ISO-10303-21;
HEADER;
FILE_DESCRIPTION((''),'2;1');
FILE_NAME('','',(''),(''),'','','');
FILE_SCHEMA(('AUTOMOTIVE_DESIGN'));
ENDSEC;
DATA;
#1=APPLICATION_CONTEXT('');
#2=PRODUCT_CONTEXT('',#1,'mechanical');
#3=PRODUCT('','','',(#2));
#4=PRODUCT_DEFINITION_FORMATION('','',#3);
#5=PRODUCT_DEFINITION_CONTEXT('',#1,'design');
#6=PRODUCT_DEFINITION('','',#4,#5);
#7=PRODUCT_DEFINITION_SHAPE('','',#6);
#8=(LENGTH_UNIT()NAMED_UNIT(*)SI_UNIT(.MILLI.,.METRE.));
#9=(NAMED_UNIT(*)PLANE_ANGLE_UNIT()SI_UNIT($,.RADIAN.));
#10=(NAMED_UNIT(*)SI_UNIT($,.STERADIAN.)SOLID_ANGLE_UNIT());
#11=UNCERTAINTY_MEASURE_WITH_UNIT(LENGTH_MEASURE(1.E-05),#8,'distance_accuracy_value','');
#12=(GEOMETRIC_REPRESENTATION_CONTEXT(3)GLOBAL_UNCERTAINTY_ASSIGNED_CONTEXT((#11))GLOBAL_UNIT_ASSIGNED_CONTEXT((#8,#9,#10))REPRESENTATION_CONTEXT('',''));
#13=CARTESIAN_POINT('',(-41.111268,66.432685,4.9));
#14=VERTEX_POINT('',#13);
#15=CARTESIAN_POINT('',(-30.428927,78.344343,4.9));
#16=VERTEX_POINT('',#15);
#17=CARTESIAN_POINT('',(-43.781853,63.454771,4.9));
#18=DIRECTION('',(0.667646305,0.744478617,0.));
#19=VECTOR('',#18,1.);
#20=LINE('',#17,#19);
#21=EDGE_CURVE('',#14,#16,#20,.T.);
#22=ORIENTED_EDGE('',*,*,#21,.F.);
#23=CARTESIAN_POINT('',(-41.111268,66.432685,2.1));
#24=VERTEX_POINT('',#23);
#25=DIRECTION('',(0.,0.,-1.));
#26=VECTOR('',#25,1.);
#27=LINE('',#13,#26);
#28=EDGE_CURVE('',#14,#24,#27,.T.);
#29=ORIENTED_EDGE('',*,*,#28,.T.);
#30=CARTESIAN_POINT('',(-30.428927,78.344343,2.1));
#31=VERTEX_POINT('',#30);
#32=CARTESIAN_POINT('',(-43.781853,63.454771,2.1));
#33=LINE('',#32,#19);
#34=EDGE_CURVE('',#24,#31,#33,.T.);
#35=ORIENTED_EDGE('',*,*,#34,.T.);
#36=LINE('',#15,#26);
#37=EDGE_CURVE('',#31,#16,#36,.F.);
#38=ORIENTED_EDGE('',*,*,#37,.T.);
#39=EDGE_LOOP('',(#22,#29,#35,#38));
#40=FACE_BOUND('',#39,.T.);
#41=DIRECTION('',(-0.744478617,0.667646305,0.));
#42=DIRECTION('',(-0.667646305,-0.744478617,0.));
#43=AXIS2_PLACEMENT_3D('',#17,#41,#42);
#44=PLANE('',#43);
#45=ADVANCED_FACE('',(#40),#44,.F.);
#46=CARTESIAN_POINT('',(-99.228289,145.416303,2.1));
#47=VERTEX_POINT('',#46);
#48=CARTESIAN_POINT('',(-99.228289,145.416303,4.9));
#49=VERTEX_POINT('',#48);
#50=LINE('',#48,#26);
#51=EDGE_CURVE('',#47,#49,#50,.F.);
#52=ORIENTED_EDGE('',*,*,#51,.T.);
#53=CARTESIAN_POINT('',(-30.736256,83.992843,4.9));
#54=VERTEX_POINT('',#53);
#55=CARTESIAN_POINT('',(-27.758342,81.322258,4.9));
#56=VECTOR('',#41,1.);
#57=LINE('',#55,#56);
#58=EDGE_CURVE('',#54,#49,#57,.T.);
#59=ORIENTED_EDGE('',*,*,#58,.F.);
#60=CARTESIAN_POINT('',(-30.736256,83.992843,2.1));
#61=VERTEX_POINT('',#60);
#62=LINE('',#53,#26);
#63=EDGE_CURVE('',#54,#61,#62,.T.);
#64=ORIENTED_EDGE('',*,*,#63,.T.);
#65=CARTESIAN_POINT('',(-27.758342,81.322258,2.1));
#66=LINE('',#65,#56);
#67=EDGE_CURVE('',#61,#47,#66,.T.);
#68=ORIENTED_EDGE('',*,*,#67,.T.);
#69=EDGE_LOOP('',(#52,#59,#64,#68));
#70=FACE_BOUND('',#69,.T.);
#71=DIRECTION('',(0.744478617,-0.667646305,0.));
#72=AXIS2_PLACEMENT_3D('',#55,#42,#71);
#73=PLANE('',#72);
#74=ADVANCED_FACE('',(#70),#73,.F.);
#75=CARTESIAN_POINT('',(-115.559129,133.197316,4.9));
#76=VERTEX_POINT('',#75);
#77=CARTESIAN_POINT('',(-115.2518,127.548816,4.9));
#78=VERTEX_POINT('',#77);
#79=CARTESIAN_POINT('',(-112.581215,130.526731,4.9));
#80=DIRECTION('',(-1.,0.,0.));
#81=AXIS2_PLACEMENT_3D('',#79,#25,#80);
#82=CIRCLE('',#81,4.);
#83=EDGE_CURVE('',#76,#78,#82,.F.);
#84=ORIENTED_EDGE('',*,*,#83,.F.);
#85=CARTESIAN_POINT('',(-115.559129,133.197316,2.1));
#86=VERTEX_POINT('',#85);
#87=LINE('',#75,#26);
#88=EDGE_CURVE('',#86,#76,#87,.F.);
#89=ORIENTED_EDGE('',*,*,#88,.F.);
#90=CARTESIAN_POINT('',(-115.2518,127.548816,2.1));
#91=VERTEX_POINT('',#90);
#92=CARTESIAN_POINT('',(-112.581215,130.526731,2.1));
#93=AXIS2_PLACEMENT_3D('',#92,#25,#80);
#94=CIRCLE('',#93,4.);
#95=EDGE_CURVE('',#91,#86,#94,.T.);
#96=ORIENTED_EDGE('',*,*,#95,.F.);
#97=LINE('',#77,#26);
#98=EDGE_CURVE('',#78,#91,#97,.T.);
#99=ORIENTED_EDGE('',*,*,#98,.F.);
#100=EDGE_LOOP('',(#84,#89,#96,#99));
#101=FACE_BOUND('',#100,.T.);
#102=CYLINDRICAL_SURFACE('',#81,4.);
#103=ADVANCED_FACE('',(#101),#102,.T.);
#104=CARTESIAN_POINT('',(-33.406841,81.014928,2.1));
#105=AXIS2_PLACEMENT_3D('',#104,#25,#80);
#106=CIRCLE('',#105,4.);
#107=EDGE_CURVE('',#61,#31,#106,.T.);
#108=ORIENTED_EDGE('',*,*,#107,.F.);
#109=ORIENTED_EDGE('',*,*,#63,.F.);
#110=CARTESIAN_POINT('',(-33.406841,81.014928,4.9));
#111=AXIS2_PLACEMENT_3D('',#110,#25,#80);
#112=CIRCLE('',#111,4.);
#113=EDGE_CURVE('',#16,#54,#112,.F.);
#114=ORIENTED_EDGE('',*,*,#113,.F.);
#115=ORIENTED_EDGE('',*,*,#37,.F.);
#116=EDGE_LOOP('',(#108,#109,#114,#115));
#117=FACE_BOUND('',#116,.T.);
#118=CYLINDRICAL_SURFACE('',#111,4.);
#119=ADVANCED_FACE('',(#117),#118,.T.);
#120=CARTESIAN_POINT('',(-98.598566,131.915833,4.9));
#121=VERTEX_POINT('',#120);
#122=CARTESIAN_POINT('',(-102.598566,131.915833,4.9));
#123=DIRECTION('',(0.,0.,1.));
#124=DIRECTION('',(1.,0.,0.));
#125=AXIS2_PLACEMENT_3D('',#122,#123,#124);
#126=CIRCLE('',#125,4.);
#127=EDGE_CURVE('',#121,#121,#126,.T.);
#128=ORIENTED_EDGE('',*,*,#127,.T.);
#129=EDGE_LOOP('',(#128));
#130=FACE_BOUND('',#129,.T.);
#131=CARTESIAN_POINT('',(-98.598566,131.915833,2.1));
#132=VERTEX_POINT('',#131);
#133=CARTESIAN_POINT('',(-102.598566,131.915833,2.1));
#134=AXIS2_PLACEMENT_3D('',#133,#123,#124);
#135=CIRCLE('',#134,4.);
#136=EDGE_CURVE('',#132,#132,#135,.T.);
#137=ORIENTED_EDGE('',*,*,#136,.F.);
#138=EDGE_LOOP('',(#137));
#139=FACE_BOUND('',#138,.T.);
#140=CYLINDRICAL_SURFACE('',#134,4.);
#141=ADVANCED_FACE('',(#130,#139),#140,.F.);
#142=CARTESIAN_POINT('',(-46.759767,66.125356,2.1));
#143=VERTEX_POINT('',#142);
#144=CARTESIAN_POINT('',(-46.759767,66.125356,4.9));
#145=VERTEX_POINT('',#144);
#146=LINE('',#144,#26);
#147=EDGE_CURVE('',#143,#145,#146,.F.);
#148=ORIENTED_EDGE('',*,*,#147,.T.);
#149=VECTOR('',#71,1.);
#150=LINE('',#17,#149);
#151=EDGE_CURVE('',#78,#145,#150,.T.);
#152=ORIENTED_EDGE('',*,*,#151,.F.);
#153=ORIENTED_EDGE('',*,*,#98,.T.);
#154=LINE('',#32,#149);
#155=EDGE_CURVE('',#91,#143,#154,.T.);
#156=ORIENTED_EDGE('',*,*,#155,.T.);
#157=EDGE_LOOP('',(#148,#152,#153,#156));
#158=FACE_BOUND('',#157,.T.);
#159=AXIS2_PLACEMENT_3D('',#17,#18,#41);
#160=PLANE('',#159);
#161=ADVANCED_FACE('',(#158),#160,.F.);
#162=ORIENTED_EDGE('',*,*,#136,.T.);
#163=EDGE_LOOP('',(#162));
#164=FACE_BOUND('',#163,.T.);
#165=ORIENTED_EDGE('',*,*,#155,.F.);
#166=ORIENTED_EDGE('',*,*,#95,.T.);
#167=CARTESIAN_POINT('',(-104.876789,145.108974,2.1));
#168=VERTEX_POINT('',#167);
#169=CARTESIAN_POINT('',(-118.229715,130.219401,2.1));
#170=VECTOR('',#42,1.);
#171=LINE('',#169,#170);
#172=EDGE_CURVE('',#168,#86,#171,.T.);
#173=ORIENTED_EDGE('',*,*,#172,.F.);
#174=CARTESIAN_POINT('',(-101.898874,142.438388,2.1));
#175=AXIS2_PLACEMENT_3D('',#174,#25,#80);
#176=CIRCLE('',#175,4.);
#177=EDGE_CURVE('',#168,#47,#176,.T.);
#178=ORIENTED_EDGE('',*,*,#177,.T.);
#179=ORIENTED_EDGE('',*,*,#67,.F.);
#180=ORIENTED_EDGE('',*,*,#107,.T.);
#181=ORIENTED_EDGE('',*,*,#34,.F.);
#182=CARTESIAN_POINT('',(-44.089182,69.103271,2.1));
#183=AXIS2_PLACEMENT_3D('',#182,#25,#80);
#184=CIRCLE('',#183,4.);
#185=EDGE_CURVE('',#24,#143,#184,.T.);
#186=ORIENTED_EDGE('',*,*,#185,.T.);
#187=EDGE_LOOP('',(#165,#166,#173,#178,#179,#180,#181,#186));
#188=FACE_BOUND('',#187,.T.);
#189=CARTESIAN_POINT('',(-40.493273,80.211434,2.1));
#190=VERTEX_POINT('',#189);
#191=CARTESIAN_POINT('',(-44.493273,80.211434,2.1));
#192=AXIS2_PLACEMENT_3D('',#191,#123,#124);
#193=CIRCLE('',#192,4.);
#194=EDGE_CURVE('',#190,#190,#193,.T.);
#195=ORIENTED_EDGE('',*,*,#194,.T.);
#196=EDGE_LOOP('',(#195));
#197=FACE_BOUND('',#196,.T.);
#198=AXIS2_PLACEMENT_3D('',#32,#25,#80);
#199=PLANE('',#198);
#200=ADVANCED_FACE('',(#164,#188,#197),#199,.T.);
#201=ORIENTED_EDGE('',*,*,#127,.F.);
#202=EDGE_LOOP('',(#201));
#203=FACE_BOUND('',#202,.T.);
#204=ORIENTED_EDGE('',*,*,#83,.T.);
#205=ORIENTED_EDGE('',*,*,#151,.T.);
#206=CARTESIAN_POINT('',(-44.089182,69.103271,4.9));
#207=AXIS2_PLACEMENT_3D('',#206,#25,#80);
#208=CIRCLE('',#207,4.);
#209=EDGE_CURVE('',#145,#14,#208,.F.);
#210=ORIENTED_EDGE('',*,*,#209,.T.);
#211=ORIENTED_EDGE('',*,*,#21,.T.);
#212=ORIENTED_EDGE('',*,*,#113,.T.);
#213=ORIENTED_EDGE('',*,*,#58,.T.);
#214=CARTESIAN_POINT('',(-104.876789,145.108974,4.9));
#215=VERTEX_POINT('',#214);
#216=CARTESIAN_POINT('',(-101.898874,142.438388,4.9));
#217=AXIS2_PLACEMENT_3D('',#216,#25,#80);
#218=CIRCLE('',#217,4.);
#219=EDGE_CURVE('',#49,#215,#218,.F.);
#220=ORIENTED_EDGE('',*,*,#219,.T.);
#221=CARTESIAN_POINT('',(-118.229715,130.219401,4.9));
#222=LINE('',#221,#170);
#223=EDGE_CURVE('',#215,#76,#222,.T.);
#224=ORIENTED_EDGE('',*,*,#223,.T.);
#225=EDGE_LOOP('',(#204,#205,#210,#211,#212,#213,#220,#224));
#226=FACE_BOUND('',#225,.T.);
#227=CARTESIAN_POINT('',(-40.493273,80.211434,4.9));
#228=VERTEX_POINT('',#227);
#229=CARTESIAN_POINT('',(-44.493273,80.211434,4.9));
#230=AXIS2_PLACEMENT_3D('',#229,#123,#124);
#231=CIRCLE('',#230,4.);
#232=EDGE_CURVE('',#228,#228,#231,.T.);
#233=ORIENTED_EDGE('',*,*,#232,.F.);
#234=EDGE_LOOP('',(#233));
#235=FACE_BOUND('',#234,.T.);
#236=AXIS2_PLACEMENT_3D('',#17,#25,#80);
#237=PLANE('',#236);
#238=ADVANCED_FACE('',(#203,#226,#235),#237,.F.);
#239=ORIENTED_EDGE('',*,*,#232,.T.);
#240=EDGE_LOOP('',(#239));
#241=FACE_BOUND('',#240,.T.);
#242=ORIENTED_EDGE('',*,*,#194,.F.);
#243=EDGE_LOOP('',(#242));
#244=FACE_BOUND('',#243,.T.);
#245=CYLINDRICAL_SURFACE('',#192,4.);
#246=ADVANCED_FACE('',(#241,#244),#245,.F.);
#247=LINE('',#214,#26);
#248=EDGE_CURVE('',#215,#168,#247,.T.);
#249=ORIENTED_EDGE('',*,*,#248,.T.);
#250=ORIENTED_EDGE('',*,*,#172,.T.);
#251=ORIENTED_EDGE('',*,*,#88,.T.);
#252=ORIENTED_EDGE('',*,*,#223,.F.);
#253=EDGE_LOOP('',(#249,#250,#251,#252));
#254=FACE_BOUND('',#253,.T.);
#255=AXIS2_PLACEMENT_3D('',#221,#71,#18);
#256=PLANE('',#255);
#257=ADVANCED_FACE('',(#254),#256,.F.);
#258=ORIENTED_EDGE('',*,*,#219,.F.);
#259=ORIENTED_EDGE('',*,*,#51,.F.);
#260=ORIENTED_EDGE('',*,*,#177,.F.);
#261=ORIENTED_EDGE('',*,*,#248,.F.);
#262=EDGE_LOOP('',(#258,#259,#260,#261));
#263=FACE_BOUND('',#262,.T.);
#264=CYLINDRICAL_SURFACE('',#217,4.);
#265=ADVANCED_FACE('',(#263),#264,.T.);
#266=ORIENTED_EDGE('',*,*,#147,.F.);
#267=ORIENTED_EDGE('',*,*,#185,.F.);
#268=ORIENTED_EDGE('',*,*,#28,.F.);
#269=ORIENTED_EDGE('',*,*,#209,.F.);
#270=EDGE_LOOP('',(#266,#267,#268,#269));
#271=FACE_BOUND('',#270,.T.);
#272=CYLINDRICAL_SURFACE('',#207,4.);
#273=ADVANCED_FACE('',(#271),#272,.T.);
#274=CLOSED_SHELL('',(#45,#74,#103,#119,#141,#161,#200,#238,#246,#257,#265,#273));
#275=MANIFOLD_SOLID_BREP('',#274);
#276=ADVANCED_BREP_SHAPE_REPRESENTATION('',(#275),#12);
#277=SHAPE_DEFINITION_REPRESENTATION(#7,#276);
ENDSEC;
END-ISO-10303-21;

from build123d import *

# Parameters (mm, degrees)
BOSS_EXTRUDE1_DEPTH = 7
FILLET1_R           = 10
SKETCH3_R           = 10
CUT_EXTRUDE1_DEPTH  = 7
SCALE1_SCALE        = 0.2
SCALE2_SCALE        = 2.5
SCALE3_SCALE        = 0.8


with BuildPart() as part:
    # Sketch1 → Boss-Extrude1 (new body)
    with BuildSketch(Plane.XY):
        Polygon((0, 0), (40.058778279, 44.668717049), (-146.060876092, 211.580293211), (-186.119654371, 166.911576162), align=None)
    extrude(amount=BOSS_EXTRUDE1_DEPTH)

    # Fillet1
    fillet1_edges = [part.edges().sort_by_distance(p)[0] for p in [
        (-186.119654371, 166.911576162, 3.5),
        (-146.060876092, 211.580293211, 3.5),
        (40.058778279, 44.668717049, 3.5),
        (0, 0, 3.5),
    ]]
    fillet(fillet1_edges, radius=FILLET1_R)

    # Sketch3 → Cut-Extrude1 (cut)
    with BuildSketch(Plane.XY.offset(7)):
        with Locations((-1.778551095, 41.89165724)):
            Circle(SKETCH3_R)
        with Locations((-147.041782503, 171.152655791)):
            Circle(SKETCH3_R)
    extrude(amount=-CUT_EXTRUDE1_DEPTH, mode=Mode.SUBTRACT)


with BuildPart() as part_1:
    # Scale1: scaled about (-72.969754943, 105.757951413, 3.5)
    add(part.part.scale(SCALE1_SCALE).moved(Location((-58.375803954, 84.60636113, 2.8))))


with BuildPart() as part_2:
    # Scale2: scaled about (-72.969754943, 105.757951413, 3.5)
    add(part_1.part.scale(SCALE2_SCALE).moved(Location((109.454632414, -158.63692712, -5.25))))


with BuildPart() as part_3:
    # Scale3: scaled about (-72.969754943, 105.757951413, 3.5)
    add(part_2.part.scale(SCALE3_SCALE).moved(Location((-14.593950989, 21.151590283, 0.7))))


solid = part_3.part
